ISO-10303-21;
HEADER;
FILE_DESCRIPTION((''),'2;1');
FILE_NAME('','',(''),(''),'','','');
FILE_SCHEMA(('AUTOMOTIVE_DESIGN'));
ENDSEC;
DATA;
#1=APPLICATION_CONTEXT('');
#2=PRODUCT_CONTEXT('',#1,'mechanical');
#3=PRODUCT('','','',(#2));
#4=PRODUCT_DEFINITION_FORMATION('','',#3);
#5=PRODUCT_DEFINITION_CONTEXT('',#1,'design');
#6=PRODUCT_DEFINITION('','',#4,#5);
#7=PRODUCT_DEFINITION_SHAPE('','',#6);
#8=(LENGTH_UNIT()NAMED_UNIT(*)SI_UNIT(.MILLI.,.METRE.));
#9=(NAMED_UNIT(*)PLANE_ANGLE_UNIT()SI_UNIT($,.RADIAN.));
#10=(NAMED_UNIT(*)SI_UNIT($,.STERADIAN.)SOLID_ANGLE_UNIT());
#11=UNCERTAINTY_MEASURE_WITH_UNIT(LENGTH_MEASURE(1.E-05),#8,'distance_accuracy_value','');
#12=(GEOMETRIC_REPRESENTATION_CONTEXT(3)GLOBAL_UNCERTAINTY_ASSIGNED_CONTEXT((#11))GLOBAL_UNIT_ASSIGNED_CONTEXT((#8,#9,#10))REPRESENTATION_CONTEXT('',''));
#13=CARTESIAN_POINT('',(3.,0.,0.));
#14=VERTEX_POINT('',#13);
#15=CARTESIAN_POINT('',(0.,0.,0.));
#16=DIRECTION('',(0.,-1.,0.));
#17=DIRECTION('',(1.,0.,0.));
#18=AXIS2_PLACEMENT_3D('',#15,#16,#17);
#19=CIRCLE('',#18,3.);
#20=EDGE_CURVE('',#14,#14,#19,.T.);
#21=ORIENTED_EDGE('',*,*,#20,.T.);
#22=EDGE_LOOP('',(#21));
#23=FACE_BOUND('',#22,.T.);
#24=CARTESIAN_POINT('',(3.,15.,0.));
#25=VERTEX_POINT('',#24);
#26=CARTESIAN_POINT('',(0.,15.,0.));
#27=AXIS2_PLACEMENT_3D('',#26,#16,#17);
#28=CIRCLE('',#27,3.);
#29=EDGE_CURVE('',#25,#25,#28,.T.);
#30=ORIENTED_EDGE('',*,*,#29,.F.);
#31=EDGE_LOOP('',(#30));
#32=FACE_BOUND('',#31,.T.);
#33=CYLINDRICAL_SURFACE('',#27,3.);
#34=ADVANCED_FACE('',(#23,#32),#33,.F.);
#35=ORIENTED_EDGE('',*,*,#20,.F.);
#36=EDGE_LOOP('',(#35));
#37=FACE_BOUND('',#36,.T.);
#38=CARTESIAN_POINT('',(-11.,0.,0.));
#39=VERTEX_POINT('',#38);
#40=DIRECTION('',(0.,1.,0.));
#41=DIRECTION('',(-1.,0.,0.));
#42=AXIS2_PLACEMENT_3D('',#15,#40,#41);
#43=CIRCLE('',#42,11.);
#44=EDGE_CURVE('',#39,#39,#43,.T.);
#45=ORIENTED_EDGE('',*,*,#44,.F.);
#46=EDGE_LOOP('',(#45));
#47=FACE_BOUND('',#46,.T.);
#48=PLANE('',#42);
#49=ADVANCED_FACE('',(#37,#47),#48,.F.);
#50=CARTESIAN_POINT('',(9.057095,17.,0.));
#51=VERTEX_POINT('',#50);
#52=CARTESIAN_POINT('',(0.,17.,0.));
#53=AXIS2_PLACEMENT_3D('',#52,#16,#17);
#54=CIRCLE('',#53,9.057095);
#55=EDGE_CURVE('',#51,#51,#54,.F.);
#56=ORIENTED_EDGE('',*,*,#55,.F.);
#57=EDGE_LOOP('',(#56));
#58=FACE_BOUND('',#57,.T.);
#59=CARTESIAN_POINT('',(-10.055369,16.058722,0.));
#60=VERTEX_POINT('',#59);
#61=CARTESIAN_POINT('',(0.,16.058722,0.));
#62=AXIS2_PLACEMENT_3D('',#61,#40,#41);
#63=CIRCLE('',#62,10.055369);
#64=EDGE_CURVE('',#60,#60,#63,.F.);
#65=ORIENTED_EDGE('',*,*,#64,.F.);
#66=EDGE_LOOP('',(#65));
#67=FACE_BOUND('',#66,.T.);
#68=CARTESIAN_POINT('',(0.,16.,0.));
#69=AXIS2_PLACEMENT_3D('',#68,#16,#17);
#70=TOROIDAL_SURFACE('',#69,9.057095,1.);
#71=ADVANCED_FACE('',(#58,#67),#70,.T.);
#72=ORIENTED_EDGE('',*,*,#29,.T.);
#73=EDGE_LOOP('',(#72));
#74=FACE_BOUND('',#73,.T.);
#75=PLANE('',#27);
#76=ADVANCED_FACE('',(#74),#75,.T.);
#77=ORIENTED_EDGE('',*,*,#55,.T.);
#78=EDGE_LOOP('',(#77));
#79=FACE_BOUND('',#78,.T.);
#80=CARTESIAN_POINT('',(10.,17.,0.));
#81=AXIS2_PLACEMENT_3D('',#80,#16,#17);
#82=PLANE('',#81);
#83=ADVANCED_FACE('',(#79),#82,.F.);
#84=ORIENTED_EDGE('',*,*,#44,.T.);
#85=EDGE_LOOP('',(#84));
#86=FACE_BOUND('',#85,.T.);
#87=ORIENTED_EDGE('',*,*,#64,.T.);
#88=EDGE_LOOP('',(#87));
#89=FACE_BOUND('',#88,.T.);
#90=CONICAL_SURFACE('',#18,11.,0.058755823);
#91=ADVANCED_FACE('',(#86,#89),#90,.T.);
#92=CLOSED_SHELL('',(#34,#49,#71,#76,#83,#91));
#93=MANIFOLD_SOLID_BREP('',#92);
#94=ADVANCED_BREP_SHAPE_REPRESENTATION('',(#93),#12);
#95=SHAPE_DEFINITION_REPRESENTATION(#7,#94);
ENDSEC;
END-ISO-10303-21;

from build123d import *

# Parameters (mm, degrees)
SCHIZZO3_R               = 3
TAGLIO_ESTRUSIONE1_DEPTH = 15
RACCORDO1_R              = 1


with BuildPart() as part:
    # Schizzo2 → Rivoluzione1 (revolve)
    with BuildSketch(Plane.XY, mode=Mode.PRIVATE) as rivoluzione1_sk:
        Polygon((0, 0), (11, 0), (10, 17), (0, 17), align=None)
    revolve(rivoluzione1_sk.sketch.rotate(Axis((0, 17, 0), (0, -1, 0)), 180), axis=Axis((0, 17, 0), (0, -1, 0)))

    # Schizzo3 → Taglio-Estrusione1 (cut)
    with BuildSketch(Plane.XZ):
        Circle(SCHIZZO3_R)
    extrude(amount=-TAGLIO_ESTRUSIONE1_DEPTH, mode=Mode.SUBTRACT)

    # Raccordo1
    raccordo1_edges = [part.edges().sort_by_distance(p)[0] for p in [
        (10, 17, 0),
    ]]
    fillet(raccordo1_edges, radius=RACCORDO1_R)


solid = part.part
